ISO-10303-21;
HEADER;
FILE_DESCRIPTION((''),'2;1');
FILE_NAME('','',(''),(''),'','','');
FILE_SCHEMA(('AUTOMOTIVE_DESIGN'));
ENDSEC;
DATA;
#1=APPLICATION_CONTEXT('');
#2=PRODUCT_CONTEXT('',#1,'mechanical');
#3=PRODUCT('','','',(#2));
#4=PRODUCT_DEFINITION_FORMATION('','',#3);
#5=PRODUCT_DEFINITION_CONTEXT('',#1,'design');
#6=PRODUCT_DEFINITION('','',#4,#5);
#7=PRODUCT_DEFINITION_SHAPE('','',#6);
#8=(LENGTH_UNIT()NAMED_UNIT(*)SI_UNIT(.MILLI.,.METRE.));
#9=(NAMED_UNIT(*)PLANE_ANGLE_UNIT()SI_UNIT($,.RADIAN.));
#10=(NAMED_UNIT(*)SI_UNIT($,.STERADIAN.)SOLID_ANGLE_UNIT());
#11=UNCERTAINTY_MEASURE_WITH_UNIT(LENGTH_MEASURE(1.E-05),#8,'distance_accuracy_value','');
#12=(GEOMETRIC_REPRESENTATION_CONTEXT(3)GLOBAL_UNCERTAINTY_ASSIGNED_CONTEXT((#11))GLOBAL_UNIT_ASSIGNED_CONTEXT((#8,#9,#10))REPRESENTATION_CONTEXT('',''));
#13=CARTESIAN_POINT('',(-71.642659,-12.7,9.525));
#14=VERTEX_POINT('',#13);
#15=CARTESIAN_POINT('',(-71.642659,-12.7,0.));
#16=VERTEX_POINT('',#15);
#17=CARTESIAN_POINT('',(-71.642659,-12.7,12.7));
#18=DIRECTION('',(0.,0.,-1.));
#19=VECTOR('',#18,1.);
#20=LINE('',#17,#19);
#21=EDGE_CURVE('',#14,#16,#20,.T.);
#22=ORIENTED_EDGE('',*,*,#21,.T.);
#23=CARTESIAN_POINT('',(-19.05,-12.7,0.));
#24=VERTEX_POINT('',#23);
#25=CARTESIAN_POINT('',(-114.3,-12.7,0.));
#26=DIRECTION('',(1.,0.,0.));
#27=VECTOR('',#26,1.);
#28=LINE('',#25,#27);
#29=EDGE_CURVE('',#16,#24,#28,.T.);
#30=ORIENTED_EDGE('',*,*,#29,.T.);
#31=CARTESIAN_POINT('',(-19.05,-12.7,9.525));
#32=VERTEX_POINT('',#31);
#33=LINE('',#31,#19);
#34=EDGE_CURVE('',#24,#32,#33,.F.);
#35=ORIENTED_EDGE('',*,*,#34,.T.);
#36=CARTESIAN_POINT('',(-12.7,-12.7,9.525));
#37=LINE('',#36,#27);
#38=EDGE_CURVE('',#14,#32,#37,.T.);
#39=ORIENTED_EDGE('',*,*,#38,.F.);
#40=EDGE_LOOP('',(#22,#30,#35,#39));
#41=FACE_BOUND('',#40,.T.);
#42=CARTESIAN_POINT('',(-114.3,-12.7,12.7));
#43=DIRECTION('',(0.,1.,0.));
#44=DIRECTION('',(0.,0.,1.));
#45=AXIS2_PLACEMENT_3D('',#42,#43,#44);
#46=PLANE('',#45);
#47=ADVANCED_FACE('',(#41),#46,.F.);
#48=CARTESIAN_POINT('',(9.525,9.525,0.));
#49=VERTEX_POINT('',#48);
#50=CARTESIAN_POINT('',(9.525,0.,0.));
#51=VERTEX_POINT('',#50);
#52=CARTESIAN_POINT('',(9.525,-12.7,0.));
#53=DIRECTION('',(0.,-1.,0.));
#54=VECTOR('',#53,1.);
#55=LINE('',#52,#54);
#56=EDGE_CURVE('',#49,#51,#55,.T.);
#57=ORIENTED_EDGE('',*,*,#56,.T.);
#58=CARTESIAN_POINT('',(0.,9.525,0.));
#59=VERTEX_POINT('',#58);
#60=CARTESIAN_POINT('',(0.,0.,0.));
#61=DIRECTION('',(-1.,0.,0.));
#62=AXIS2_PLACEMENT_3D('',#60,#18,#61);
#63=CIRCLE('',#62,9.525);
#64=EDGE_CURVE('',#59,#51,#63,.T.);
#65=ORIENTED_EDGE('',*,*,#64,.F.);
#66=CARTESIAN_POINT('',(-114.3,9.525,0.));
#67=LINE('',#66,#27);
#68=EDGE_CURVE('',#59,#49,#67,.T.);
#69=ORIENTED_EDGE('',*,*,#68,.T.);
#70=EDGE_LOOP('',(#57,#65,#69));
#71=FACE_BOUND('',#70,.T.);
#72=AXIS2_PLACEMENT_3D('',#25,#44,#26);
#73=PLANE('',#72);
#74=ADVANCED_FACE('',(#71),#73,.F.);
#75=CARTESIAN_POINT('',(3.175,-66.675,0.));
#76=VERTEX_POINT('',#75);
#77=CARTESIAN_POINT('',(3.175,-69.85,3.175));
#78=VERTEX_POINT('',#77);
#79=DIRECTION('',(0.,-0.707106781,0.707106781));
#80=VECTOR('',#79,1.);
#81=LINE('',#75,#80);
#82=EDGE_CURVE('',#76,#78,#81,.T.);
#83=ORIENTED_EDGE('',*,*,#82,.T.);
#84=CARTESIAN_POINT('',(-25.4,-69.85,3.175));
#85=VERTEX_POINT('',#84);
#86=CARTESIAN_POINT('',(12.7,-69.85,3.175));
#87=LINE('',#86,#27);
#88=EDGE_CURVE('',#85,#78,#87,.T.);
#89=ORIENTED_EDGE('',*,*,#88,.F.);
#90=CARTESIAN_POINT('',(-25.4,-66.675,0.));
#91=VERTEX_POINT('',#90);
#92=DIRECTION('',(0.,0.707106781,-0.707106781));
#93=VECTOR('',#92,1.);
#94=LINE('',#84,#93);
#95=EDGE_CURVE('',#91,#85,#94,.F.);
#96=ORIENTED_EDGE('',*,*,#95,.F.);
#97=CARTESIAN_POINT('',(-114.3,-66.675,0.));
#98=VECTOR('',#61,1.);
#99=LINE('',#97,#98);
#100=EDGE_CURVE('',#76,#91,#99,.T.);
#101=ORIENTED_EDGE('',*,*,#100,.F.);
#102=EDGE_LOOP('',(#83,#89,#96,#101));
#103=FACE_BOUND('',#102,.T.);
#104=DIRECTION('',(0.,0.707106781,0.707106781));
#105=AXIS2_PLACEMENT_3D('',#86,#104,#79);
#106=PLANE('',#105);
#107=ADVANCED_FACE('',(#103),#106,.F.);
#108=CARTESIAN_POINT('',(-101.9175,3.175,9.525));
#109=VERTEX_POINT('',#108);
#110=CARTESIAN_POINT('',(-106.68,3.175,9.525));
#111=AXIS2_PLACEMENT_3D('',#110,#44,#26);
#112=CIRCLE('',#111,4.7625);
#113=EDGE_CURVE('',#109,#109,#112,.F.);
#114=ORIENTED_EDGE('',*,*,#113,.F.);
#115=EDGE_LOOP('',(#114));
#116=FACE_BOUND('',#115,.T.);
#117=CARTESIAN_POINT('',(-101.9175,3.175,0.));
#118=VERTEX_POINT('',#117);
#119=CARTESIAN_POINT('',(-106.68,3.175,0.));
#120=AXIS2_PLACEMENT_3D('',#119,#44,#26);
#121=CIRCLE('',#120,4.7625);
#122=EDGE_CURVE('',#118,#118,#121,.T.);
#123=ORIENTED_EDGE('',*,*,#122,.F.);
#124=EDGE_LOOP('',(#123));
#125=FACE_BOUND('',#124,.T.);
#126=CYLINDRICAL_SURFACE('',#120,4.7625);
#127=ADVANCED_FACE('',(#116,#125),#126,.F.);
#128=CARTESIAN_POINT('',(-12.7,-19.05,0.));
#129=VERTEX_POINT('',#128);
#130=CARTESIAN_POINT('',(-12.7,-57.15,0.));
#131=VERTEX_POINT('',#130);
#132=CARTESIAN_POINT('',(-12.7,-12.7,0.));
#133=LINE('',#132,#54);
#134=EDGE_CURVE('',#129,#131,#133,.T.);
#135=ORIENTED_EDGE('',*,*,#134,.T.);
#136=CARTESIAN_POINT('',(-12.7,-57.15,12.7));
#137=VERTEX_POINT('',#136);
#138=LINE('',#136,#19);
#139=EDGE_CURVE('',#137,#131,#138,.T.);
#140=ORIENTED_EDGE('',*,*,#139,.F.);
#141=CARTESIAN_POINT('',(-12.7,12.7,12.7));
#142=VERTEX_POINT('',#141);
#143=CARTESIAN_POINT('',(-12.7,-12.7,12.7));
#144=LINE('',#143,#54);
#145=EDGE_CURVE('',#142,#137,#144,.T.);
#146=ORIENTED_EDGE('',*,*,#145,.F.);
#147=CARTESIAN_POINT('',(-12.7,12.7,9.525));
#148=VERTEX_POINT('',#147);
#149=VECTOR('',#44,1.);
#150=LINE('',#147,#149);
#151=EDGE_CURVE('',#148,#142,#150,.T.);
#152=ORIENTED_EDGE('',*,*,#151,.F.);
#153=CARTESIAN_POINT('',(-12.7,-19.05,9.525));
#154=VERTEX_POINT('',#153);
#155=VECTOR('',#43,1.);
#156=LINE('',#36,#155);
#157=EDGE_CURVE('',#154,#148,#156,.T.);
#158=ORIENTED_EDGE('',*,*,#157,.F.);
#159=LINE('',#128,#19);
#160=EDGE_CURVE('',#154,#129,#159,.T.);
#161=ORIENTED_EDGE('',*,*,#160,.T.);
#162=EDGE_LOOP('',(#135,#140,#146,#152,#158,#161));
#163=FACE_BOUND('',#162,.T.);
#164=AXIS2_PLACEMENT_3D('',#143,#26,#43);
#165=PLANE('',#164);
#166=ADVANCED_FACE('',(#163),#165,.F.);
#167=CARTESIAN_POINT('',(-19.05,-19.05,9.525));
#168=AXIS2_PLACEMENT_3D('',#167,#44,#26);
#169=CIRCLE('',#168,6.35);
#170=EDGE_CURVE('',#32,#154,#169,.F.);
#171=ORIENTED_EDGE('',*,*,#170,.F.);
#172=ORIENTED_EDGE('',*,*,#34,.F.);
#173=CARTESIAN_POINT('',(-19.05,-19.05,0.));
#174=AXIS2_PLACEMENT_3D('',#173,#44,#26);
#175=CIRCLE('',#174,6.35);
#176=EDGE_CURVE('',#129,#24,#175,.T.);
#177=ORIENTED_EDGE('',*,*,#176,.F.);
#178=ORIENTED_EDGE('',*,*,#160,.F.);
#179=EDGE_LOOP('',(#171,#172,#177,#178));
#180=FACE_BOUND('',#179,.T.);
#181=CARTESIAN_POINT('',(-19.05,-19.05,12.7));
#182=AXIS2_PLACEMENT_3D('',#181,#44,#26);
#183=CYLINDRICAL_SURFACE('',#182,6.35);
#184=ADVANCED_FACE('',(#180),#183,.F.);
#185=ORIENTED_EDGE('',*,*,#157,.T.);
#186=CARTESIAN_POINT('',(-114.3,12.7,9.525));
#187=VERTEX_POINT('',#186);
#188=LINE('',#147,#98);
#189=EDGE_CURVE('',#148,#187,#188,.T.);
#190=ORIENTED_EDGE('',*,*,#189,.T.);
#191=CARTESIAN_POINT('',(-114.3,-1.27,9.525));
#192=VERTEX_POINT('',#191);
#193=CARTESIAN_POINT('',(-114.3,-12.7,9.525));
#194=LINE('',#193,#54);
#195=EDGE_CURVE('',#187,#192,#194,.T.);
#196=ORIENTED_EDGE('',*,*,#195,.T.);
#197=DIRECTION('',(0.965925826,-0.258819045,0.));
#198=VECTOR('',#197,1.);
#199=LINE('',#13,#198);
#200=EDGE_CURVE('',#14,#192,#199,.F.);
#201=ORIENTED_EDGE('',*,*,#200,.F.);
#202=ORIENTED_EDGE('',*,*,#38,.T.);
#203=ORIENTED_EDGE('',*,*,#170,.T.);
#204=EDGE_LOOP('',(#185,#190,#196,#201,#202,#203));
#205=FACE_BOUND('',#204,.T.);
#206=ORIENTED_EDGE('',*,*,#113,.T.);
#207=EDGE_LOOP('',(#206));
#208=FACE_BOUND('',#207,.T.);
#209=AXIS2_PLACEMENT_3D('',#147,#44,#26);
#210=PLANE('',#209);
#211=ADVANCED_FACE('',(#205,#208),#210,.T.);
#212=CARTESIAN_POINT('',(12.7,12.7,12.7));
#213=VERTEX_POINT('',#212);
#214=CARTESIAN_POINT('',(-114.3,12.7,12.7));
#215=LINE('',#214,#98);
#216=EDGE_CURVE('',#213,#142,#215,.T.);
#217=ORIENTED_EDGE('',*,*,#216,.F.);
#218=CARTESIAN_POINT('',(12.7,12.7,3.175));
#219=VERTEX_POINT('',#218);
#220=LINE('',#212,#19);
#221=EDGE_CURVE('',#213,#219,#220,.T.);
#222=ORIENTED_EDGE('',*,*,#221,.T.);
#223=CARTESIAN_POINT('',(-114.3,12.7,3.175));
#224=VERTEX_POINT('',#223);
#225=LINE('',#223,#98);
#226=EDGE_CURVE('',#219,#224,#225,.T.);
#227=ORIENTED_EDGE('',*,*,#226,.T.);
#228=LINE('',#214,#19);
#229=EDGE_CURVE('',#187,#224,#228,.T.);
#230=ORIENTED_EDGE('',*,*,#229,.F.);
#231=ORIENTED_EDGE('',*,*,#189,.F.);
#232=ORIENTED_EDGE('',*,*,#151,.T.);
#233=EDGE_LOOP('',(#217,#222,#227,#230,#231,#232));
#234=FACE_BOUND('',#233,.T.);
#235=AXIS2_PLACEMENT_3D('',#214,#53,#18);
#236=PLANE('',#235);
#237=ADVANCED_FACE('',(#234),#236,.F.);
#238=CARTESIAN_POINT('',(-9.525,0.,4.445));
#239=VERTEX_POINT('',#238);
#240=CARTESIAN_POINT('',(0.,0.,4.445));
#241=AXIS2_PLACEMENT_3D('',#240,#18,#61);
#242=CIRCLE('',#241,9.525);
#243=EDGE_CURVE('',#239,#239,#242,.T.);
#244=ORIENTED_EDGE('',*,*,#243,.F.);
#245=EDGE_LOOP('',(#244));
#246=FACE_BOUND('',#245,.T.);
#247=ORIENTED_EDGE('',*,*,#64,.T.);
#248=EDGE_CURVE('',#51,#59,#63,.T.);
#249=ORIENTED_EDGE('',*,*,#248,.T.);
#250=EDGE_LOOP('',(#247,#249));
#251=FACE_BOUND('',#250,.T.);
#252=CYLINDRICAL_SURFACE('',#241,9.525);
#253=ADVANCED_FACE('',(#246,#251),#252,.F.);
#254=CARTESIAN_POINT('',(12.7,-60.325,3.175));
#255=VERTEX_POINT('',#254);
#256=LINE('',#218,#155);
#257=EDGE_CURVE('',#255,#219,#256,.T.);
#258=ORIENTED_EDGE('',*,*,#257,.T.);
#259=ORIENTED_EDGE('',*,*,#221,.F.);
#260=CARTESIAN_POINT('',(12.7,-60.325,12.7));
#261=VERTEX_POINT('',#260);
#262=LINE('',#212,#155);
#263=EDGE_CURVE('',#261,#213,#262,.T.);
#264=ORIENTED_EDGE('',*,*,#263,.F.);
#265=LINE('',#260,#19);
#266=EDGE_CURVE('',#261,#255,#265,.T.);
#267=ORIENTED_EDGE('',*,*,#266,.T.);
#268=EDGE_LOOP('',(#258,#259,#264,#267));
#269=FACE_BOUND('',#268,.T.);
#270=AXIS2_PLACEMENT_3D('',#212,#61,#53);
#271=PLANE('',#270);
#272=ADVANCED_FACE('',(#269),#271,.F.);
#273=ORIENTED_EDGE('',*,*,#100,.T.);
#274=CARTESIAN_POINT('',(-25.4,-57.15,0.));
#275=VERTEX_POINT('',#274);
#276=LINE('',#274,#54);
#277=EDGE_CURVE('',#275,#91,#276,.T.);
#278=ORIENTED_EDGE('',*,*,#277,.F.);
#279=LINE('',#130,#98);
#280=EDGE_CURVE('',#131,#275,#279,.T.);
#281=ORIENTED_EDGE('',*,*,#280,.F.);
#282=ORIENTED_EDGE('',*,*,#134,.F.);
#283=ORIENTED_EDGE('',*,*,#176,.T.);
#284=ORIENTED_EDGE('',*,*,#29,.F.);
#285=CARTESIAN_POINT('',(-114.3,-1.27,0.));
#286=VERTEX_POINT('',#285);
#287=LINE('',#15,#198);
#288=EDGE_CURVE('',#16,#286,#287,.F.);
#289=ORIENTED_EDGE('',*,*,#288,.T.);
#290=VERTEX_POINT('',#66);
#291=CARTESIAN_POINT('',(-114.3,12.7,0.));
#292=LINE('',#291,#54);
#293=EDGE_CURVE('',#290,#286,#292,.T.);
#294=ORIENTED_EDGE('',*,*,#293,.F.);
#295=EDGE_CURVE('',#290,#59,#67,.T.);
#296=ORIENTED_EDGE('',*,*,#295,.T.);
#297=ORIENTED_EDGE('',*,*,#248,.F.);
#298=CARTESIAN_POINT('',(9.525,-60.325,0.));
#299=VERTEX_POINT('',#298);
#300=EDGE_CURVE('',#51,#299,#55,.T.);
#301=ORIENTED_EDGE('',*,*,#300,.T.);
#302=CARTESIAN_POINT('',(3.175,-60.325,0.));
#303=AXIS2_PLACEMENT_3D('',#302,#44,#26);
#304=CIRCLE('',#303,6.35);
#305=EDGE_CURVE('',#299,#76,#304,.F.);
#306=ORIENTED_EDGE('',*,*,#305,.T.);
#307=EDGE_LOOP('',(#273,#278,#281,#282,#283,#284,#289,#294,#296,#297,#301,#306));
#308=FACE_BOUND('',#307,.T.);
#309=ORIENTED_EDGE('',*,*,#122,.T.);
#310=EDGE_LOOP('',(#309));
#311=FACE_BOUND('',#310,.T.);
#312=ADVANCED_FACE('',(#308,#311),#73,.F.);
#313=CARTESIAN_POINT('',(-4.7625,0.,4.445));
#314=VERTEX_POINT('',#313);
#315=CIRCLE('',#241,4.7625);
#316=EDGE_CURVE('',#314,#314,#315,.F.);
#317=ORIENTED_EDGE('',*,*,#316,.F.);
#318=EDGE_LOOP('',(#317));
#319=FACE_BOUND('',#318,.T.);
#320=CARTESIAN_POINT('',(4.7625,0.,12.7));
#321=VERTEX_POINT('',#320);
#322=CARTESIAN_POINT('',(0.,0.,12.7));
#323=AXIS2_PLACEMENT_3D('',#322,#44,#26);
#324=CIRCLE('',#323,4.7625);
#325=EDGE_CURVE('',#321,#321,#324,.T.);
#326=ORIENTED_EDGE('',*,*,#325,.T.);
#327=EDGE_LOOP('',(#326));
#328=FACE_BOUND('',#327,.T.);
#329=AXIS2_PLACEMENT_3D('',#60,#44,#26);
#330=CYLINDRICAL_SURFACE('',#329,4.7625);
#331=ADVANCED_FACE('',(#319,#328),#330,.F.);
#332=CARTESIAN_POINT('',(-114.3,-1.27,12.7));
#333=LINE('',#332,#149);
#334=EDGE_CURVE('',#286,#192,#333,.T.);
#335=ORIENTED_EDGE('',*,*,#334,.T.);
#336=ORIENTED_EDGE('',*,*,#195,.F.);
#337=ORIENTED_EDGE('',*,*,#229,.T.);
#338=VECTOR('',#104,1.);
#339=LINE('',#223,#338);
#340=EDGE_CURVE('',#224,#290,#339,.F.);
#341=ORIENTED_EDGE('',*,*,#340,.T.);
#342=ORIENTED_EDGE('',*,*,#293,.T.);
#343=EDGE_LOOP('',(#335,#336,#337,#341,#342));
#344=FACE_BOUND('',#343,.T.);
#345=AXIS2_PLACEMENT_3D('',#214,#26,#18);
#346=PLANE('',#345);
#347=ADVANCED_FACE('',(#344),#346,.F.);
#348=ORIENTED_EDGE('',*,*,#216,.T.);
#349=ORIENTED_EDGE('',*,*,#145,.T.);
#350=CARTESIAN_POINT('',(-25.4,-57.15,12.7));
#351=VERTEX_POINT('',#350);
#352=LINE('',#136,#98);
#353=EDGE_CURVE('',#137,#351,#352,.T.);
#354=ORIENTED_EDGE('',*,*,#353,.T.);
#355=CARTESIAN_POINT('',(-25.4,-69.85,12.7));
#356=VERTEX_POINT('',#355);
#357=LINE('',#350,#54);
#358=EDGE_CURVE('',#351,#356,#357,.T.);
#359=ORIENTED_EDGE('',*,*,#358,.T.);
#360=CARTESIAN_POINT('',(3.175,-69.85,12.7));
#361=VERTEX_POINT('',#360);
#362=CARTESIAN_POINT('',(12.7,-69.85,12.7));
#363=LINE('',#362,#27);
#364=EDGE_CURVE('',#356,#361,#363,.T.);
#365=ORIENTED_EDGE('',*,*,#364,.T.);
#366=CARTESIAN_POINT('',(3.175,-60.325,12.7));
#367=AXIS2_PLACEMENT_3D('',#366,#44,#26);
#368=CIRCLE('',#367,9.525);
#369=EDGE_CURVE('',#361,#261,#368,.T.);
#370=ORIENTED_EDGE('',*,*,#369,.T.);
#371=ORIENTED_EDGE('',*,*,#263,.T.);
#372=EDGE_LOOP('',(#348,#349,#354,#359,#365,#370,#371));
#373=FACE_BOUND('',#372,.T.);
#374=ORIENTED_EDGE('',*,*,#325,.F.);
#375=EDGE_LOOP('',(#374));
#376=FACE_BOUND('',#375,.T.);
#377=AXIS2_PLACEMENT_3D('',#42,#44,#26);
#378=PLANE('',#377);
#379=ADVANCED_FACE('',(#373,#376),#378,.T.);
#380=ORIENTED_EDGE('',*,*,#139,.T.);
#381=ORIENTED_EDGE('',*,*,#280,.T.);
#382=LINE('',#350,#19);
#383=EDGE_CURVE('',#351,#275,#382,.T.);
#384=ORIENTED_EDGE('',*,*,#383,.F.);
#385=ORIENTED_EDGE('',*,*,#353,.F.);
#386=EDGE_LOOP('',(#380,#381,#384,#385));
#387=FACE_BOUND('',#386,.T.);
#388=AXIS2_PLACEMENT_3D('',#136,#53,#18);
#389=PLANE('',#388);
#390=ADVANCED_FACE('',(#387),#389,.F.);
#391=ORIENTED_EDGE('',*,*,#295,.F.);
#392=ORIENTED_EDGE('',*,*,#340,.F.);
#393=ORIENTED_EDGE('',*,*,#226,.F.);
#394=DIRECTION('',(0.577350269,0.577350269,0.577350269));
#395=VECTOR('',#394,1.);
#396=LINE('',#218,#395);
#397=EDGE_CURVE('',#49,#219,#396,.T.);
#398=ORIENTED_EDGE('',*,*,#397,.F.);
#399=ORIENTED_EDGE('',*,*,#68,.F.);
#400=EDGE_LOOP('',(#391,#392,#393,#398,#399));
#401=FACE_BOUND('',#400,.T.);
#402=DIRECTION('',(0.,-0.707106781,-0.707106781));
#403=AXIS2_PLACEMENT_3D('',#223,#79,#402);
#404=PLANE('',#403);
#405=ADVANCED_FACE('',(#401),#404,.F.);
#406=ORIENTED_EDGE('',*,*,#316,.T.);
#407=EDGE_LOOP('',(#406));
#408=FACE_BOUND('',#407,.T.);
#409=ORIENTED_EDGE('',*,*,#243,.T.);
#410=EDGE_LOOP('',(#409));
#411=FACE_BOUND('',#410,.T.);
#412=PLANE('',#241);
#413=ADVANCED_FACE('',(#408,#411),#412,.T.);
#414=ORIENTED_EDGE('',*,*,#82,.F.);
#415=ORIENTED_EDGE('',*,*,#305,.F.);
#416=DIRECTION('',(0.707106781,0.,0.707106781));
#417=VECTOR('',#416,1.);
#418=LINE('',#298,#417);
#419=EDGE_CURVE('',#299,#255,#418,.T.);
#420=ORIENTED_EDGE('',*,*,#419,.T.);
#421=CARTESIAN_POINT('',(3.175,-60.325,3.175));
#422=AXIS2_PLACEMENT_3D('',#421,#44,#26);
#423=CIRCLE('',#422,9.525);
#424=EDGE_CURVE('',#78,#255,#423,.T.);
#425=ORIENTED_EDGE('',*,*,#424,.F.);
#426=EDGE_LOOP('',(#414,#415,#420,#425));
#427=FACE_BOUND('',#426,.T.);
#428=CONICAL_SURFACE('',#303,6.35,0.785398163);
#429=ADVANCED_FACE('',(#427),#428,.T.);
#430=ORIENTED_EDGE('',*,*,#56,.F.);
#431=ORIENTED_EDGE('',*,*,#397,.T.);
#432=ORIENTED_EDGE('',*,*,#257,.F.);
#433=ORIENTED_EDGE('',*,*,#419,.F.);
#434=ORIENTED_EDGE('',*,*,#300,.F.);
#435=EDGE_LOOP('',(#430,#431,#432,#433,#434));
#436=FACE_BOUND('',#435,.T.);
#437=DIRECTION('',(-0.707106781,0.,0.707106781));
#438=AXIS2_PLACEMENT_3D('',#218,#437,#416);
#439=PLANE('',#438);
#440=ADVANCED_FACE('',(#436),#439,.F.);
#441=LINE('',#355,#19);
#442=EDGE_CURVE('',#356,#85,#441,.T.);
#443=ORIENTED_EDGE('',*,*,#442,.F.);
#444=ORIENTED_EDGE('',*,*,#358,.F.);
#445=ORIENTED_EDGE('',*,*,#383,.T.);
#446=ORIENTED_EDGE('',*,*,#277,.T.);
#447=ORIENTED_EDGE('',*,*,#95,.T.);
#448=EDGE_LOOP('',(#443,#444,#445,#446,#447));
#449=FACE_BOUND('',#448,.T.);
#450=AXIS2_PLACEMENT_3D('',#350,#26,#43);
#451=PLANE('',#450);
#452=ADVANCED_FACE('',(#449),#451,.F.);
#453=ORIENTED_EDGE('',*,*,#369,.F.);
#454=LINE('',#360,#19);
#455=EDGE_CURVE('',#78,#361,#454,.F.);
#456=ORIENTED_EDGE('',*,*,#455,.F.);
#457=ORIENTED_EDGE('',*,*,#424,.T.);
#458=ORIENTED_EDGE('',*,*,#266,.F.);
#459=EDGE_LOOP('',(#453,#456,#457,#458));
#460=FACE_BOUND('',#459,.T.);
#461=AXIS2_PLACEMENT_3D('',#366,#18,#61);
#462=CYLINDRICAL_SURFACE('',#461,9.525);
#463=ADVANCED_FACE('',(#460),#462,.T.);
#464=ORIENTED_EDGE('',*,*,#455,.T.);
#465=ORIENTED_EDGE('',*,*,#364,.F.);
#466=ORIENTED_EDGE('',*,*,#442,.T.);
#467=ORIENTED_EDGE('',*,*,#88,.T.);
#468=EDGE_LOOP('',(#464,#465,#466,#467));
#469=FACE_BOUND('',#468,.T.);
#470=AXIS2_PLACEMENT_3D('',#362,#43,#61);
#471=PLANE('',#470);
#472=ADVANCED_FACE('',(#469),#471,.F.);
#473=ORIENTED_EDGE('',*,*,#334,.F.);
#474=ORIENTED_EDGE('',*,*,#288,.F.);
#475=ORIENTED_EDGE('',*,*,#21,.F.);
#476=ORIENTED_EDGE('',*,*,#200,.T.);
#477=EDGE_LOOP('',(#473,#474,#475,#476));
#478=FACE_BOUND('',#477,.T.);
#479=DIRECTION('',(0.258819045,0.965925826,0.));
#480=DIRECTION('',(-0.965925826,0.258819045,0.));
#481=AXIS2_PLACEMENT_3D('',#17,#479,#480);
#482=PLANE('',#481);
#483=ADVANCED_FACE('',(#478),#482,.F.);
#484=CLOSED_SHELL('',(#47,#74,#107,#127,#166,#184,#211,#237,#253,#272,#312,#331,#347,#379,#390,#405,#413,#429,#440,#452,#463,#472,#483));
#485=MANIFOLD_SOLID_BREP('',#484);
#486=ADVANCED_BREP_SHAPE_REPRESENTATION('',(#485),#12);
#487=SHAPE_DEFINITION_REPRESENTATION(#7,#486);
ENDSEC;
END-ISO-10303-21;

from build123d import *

# Parameters (mm, degrees)
BASE_EXTRUDE_DEPTH = 12.7
SKETCH2_R          = 4.7625
CUT_EXTRUDE1_DEPTH = 135.554087638
SKETCH3_R          = 4.7625
CUT_EXTRUDE2_DEPTH = 135.554087638
CHAMFER1_SIZE      = 11.43
CHAMFER1_SIZE2     = 42.657340731
SKETCH4_W          = 101.6
SKETCH4_H          = 25.4
CUT_EXTRUDE3_DEPTH = 3.175
FILLET1_R          = 9.525
FILLET2_R          = 6.35
CHAMFER2_SIZE      = 3.175
SKETCH5_R          = 9.525
CUT_EXTRUDE4_DEPTH = 4.445


with BuildPart() as part:
    # Sketch1 → Base-Extrude (new body)
    with BuildSketch(Plane.XY):
        Polygon((-114.3, 12.7), (12.7, 12.7), (12.7, -69.85), (-25.4, -69.85), (-25.4, -57.15), (-12.7, -57.15), (-12.7, -12.7), (-114.3, -12.7), align=None)
    extrude(amount=BASE_EXTRUDE_DEPTH)

    # Sketch2 → Cut-Extrude1 (cut, through all)
    with BuildSketch(Plane.XY.offset(12.7)):
        Circle(SKETCH2_R)
    extrude(amount=-CUT_EXTRUDE1_DEPTH, mode=Mode.SUBTRACT)

    # Sketch3 → Cut-Extrude2 (cut, through all)
    with BuildSketch(Plane.XY.offset(12.7)):
        with Locations((-106.68, 3.175)):
            Circle(SKETCH3_R)
    extrude(amount=-CUT_EXTRUDE2_DEPTH, mode=Mode.SUBTRACT)

    # Chamfer1
    chamfer1_edges = [part.edges().sort_by_distance(p)[0] for p in [
        (-114.3, -12.7, 6.35),
    ]]
    chamfer1_side = [part.faces().sort_by_distance(p)[0] for p in [
        (-114.3, 0, 6.35),
    ]]
    chamfer(chamfer1_edges, length=CHAMFER1_SIZE, length2=CHAMFER1_SIZE2, reference=chamfer1_side[0])

    # Sketch4 → Cut-Extrude3 (cut)
    with BuildSketch(Plane.XY.offset(12.7)):
        with Locations((-63.5, 0)):
            Rectangle(SKETCH4_W, SKETCH4_H)
    extrude(amount=-CUT_EXTRUDE3_DEPTH, mode=Mode.SUBTRACT)

    # Fillet1
    fillet1_edges = [part.edges().sort_by_distance(p)[0] for p in [
        (12.7, -69.85, 6.35),
    ]]
    fillet(fillet1_edges, radius=FILLET1_R)

    # Fillet2
    fillet2_edges = [part.edges().sort_by_distance(p)[0] for p in [
        (-12.7, -12.7, 4.7625),
    ]]
    fillet(fillet2_edges, radius=FILLET2_R)

    # Chamfer2
    chamfer2_edges = [part.edges().sort_by_distance(p)[0] for p in [
        (12.7, -23.8125, 0),
        (9.910192091, -67.060192091, 0),
        (-50.8, 12.7, 0),
        (-11.1125, -69.85, 0),
    ]]
    chamfer(chamfer2_edges, length=CHAMFER2_SIZE)

    # Sketch5 → Cut-Extrude4 (cut)
    with BuildSketch(Plane(origin=(0, 0, 0), x_dir=(-1, 0, 0), z_dir=(0, 0, -1))):
        Circle(SKETCH5_R)
    extrude(amount=-CUT_EXTRUDE4_DEPTH, mode=Mode.SUBTRACT)


solid = part.part
